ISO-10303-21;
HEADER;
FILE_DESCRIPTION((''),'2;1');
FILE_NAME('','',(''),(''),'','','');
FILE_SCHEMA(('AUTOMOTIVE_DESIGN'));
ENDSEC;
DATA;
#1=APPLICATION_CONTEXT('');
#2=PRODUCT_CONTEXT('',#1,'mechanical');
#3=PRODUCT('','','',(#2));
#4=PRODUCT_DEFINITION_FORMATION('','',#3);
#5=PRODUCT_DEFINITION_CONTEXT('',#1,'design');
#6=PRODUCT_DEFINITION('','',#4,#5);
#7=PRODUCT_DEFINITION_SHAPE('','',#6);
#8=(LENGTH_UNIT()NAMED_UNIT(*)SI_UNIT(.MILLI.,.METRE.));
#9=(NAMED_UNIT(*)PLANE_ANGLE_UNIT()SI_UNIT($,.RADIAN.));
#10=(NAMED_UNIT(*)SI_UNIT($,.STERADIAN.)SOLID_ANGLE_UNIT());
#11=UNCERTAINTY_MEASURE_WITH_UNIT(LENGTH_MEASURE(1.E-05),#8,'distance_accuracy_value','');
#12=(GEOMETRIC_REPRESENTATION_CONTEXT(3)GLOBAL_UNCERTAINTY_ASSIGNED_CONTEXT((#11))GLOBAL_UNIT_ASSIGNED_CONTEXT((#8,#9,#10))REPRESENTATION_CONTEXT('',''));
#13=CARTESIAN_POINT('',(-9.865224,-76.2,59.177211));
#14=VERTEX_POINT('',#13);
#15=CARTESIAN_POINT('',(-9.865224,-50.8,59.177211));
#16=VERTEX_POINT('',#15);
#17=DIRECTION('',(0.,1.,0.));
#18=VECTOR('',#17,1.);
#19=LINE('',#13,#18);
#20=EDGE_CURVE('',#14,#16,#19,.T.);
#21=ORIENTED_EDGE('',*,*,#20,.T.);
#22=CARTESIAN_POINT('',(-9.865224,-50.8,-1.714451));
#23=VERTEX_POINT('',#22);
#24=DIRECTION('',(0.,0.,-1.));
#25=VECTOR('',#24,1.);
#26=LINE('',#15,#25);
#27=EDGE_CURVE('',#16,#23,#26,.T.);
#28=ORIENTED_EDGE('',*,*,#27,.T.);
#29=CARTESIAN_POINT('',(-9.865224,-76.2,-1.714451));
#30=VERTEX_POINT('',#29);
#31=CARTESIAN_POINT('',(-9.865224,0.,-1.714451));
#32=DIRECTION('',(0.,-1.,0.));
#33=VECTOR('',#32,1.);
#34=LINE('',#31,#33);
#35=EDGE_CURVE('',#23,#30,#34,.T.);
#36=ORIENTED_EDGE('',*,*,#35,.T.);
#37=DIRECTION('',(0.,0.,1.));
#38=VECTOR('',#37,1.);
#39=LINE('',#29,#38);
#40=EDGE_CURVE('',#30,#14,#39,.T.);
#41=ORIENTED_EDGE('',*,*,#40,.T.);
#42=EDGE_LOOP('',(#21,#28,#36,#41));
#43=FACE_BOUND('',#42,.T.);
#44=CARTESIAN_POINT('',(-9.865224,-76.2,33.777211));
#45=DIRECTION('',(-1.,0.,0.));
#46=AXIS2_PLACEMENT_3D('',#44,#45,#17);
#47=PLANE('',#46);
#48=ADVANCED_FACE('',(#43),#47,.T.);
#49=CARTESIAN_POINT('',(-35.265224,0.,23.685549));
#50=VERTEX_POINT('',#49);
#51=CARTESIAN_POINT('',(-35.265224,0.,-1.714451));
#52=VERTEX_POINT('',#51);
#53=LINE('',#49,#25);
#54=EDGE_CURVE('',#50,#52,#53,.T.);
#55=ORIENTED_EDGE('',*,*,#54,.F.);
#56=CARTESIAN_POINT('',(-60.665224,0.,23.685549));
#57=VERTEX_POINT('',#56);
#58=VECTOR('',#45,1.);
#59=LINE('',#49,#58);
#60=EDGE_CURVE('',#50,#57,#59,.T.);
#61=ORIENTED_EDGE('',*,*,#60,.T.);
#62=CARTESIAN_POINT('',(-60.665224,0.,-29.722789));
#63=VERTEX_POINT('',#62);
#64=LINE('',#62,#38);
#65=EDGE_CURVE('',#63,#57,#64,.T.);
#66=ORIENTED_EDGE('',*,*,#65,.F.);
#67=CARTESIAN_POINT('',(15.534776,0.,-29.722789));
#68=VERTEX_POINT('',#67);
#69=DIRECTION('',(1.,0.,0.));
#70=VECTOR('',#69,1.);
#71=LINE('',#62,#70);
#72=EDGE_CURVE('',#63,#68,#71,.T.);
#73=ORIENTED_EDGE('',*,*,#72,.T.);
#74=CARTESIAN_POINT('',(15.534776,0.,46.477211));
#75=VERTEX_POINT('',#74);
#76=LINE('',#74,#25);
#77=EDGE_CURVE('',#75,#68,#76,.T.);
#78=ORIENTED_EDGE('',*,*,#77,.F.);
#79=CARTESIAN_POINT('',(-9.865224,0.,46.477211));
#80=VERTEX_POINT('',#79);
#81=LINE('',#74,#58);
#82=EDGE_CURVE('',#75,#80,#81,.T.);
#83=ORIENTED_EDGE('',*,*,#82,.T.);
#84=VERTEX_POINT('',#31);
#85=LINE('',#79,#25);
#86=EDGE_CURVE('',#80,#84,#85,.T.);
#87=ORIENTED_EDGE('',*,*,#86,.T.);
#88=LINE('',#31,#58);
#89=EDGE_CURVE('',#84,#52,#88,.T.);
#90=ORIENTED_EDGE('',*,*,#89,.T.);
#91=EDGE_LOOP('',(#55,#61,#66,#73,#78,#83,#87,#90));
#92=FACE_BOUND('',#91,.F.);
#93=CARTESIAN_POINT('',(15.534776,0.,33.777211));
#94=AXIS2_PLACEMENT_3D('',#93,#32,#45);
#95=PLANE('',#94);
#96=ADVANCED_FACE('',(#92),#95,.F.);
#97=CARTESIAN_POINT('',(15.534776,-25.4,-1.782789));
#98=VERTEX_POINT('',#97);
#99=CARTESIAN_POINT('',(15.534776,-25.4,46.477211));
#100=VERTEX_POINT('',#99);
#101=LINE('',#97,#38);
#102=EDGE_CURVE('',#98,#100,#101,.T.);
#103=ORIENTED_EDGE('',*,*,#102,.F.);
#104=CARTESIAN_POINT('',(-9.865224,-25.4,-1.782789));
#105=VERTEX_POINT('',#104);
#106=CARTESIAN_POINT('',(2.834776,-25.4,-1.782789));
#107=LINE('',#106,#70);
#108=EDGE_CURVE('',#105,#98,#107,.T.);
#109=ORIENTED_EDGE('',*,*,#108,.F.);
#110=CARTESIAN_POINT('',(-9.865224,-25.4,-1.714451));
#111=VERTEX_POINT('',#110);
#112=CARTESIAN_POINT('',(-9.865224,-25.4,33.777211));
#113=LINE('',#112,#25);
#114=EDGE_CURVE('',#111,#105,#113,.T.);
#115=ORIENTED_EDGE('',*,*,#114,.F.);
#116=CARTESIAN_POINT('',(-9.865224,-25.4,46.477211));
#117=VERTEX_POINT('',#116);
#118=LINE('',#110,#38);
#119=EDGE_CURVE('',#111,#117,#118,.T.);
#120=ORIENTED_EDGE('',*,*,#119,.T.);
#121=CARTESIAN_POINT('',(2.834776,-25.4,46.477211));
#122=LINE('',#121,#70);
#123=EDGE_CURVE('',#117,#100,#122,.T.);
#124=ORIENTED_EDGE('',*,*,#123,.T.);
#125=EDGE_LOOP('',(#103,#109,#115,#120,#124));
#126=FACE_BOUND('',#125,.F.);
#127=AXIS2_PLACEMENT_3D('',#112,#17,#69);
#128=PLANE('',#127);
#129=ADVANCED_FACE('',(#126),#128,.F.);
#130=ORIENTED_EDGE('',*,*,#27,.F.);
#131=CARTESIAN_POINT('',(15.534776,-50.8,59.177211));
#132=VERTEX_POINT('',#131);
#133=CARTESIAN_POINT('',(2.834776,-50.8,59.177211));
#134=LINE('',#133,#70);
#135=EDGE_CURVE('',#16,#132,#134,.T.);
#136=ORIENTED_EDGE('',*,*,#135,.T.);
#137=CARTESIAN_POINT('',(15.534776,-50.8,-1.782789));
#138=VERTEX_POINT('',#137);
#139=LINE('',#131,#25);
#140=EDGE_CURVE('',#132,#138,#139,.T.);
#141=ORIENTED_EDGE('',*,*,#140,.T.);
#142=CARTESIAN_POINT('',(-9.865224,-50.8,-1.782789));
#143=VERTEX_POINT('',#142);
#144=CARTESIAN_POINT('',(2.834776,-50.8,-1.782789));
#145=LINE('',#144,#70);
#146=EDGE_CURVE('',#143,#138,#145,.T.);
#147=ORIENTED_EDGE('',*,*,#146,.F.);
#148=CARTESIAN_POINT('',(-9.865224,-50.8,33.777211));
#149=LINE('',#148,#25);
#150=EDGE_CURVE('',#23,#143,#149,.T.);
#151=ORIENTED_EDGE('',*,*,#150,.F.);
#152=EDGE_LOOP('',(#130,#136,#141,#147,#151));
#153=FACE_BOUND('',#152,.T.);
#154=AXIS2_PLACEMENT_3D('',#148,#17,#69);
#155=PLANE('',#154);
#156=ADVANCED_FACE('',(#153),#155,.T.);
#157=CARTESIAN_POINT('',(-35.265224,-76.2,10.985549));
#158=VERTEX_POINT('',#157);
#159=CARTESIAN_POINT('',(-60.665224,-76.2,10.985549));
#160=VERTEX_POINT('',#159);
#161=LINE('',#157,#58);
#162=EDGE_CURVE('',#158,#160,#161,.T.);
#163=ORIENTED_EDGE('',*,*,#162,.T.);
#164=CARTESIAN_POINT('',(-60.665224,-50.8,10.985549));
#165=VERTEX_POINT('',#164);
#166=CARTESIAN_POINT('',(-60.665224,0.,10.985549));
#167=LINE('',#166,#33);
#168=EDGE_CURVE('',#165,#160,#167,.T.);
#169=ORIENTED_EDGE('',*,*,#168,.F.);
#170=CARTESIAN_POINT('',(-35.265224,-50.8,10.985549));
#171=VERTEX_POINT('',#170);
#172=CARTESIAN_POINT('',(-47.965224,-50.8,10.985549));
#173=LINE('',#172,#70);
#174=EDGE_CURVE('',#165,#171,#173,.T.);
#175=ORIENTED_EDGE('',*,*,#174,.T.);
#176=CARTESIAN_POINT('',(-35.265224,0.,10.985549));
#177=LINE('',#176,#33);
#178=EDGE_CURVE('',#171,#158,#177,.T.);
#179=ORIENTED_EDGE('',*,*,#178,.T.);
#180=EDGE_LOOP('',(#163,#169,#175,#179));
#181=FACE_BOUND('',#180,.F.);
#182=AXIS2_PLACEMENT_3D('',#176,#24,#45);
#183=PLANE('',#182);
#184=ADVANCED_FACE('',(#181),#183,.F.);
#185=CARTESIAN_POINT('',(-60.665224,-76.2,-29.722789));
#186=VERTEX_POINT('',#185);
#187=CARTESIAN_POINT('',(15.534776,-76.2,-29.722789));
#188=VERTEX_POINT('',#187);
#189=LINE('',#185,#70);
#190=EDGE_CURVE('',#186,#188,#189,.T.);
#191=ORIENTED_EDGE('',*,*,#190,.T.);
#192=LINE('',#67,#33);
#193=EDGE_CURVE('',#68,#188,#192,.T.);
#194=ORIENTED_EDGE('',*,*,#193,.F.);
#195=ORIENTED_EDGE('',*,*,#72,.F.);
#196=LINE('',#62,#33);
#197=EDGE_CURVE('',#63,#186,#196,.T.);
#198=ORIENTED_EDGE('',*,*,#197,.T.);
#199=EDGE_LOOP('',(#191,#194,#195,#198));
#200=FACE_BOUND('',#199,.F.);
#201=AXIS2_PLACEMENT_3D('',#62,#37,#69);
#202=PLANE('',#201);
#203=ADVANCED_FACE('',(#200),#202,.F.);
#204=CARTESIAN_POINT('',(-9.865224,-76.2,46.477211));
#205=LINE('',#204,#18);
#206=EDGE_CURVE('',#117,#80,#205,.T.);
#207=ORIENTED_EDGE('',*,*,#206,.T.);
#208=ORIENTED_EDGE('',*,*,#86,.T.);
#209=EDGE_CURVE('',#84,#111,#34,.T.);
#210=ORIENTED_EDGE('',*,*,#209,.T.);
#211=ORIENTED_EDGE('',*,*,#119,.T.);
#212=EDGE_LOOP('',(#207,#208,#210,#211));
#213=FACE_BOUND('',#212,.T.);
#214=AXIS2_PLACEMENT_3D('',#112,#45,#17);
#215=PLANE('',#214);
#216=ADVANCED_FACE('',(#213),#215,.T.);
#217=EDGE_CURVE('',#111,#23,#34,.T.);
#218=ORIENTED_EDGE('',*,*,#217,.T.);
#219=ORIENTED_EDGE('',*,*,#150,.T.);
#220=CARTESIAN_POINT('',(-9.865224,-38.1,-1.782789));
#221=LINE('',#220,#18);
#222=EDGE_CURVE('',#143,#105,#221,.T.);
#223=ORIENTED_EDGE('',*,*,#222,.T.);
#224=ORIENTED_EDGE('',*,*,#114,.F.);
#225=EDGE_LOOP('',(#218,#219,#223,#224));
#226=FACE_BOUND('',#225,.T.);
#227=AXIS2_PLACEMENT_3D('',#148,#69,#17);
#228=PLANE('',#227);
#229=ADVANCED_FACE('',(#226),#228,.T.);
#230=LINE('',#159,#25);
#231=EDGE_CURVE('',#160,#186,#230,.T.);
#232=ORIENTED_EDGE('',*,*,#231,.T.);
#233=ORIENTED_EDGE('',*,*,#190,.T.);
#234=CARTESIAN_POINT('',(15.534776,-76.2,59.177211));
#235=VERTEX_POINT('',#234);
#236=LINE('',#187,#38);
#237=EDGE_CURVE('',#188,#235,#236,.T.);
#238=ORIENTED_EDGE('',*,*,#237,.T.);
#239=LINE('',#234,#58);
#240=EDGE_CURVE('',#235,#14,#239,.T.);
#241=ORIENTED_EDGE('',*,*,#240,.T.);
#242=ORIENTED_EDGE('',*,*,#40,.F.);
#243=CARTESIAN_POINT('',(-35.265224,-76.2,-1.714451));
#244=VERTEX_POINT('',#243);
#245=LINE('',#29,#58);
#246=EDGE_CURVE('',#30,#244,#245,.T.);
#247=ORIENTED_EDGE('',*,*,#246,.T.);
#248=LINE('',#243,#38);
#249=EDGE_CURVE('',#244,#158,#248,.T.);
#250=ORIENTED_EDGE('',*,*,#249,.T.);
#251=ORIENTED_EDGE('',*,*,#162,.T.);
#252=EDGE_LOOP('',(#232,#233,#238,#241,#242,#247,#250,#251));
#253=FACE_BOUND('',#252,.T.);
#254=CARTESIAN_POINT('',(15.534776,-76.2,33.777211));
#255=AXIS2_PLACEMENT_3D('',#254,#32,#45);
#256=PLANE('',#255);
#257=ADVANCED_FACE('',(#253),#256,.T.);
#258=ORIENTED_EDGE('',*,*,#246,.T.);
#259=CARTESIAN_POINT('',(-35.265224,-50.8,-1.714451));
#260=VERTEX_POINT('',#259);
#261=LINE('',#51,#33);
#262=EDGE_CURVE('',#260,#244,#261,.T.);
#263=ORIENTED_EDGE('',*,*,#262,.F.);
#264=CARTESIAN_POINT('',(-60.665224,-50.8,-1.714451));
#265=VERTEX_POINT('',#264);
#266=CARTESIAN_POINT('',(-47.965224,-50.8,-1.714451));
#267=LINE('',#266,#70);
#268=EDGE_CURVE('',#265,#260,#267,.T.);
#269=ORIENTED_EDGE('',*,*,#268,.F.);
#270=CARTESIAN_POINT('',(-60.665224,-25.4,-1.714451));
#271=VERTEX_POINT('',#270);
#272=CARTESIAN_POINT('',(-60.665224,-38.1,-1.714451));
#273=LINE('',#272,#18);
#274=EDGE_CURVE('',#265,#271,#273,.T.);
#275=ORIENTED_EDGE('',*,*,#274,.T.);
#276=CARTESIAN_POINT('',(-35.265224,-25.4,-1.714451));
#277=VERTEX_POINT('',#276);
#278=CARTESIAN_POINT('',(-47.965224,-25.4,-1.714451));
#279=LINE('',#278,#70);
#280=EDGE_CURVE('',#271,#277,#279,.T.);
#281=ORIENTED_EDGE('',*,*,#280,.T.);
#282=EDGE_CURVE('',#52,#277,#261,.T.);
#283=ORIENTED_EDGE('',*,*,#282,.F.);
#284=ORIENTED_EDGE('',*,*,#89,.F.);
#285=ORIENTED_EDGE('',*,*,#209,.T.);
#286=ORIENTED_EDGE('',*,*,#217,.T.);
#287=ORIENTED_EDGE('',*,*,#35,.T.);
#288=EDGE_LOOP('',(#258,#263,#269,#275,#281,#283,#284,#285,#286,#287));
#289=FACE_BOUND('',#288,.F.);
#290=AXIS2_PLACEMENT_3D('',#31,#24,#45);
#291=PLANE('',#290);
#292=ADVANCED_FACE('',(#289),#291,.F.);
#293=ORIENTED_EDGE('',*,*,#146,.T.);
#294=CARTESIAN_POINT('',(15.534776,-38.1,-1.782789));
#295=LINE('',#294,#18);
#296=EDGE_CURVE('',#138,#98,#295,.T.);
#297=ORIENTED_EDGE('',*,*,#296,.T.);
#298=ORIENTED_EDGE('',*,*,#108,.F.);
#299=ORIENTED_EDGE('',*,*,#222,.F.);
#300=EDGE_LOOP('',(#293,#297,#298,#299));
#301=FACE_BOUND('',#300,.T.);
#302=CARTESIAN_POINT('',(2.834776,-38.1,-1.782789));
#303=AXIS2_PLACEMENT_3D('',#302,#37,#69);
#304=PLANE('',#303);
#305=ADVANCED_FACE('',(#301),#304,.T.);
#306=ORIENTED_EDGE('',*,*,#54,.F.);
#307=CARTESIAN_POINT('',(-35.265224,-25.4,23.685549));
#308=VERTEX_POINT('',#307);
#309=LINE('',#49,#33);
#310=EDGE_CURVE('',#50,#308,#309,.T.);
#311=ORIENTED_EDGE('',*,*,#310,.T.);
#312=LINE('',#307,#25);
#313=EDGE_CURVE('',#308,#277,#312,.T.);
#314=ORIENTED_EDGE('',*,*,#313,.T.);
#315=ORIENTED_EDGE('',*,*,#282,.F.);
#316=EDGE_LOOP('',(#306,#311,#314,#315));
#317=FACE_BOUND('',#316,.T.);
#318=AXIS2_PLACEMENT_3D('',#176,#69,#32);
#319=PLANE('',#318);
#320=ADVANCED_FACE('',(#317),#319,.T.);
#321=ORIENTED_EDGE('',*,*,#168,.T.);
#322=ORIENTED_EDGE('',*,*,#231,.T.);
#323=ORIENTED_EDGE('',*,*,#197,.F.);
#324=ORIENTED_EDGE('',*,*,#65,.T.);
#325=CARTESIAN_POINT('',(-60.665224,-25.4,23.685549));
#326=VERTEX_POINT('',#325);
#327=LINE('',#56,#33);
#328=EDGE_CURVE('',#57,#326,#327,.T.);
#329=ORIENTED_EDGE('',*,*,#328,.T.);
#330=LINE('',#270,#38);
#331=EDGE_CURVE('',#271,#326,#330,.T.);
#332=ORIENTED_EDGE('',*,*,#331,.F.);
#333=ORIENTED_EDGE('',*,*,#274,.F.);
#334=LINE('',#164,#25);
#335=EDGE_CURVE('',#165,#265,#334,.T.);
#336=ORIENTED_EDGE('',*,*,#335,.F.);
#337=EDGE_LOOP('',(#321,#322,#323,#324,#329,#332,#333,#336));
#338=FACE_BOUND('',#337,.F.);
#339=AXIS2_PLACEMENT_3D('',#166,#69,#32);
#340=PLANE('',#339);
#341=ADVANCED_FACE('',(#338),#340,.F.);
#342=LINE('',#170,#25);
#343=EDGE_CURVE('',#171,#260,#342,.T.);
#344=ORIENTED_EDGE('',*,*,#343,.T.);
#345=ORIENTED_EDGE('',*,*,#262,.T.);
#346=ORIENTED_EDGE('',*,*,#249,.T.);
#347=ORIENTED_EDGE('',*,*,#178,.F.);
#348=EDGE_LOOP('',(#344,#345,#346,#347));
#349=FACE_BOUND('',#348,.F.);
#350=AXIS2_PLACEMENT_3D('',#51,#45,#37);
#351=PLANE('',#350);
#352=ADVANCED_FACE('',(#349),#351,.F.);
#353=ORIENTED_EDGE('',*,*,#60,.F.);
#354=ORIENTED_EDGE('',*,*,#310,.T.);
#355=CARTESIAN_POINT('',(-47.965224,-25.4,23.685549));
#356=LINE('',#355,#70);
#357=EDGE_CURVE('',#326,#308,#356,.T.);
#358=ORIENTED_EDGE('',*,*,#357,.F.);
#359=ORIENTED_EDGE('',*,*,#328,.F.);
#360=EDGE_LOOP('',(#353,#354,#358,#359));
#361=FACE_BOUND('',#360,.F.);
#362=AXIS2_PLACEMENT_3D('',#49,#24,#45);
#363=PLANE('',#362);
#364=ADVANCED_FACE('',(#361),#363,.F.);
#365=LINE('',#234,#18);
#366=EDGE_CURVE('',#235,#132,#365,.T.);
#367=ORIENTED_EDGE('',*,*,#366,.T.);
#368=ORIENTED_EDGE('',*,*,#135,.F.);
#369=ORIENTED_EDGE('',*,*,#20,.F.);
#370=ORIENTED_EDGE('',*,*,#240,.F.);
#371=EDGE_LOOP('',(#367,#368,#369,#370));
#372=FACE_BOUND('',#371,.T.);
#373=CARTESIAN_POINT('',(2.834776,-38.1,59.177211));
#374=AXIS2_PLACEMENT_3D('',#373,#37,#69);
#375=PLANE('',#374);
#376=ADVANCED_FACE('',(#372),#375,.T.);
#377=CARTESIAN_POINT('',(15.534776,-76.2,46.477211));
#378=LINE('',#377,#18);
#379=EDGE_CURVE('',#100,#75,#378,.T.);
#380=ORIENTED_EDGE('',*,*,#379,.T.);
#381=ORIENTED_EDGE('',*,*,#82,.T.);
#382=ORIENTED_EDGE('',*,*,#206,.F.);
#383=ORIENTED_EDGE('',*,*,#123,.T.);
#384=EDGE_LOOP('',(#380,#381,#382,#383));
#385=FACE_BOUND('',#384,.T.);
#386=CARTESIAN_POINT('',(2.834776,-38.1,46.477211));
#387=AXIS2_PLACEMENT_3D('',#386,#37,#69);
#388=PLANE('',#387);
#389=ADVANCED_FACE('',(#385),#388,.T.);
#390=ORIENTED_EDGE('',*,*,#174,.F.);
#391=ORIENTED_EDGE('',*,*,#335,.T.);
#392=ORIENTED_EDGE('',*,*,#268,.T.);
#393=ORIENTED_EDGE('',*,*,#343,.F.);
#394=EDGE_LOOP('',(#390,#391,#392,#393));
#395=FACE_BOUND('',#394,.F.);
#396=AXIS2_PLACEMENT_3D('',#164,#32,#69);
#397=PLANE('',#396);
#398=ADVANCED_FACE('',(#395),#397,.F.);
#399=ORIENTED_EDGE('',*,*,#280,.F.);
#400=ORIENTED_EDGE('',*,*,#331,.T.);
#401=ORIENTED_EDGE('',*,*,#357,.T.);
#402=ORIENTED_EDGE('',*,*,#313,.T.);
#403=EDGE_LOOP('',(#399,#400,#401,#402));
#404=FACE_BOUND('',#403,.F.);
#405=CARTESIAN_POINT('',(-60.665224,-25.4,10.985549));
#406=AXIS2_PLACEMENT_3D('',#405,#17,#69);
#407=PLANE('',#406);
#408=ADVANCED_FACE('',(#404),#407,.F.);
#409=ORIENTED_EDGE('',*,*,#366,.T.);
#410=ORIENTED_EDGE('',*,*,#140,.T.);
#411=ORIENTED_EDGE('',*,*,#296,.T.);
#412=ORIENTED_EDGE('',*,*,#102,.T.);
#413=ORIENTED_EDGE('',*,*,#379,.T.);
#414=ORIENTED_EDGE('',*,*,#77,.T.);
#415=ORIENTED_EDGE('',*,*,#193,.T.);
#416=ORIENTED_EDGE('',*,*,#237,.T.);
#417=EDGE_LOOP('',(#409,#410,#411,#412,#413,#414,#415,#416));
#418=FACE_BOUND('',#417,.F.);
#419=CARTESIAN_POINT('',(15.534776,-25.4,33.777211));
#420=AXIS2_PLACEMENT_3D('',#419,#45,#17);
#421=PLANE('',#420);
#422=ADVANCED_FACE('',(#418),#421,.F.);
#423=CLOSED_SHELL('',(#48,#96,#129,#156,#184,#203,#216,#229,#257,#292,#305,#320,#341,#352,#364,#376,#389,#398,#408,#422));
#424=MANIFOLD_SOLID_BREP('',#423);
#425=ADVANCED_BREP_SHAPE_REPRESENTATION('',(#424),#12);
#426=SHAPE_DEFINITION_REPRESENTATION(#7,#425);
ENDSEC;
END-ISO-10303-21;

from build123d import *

# Parameters (mm, degrees)
F1_DEPTH  = 76.2
F2_W      = 25.4
F2_H      = 25.4
F3_DEPTH  = 38.1
F4_W      = 25.4
F4_H      = 25.4
F5_DEPTH  = 12.7
F6_DEPTH  = 12.7
F7_W      = 25.4
F7_H      = 25.4
F8_DEPTH  = 35.56
F9_DEPTH  = 25.4
F10_DEPTH = 12.7


with BuildPart() as f1:
    # F0 (on Front) → F1 (new body)
    with BuildSketch(Plane.XZ):
        Polygon((-60.6652237475, 10.9855490685), (-60.6652237475, -29.7227894413), (15.5347762525, -29.7227894413), (15.5347762525, 33.7772105587), (-9.8652237475, 33.7772105587), (-9.8652237475, -1.7144509315), (-35.2652237475, -1.7144509315), (-35.2652237475, 10.9855490685), align=None)
    extrude(amount=F1_DEPTH)

    # F2 (on face) → F3 (join)
    with BuildSketch(Plane.XY.offset(33.7772105587)):
        with Locations((2.8347762525, -38.1)):
            Rectangle(F2_W, F2_H)
    extrude(amount=-F3_DEPTH)

    # F4 (on face) → F5 (cut)
    with BuildSketch(Plane.XY.offset(10.9855490685)):
        with Locations((-47.9652237475, -38.1)):
            Rectangle(F4_W, F4_H)
    extrude(amount=-F5_DEPTH, mode=Mode.SUBTRACT)

    # F6 (add): a face of the model
    f6_faces = [f1.faces().sort_by_distance(p)[0] for p in [
        (-47.9652237475, -12.7, 10.9855490685),
    ]]
    extrude(f6_faces, amount=F6_DEPTH)

    # F7 (on face) → F8 (cut)
    with BuildSketch(Plane.XY.offset(33.7772105587)):
        with Locations((2.8347762525, -38.1)):
            Rectangle(F7_W, F7_H)
    extrude(amount=-F8_DEPTH, mode=Mode.SUBTRACT)

    # F9 (add): a face of the model
    f9_faces = [f1.faces().sort_by_distance(p)[0] for p in [
        (2.8347762525, -63.5, 33.7772105587),
    ]]
    extrude(f9_faces, amount=F9_DEPTH)

    # F10 (add): a face of the model
    f10_faces = [f1.faces().sort_by_distance(p)[0] for p in [
        (2.8347762525, -12.7, 33.7772105587),
    ]]
    extrude(f10_faces, amount=F10_DEPTH)


solid = f1.part
